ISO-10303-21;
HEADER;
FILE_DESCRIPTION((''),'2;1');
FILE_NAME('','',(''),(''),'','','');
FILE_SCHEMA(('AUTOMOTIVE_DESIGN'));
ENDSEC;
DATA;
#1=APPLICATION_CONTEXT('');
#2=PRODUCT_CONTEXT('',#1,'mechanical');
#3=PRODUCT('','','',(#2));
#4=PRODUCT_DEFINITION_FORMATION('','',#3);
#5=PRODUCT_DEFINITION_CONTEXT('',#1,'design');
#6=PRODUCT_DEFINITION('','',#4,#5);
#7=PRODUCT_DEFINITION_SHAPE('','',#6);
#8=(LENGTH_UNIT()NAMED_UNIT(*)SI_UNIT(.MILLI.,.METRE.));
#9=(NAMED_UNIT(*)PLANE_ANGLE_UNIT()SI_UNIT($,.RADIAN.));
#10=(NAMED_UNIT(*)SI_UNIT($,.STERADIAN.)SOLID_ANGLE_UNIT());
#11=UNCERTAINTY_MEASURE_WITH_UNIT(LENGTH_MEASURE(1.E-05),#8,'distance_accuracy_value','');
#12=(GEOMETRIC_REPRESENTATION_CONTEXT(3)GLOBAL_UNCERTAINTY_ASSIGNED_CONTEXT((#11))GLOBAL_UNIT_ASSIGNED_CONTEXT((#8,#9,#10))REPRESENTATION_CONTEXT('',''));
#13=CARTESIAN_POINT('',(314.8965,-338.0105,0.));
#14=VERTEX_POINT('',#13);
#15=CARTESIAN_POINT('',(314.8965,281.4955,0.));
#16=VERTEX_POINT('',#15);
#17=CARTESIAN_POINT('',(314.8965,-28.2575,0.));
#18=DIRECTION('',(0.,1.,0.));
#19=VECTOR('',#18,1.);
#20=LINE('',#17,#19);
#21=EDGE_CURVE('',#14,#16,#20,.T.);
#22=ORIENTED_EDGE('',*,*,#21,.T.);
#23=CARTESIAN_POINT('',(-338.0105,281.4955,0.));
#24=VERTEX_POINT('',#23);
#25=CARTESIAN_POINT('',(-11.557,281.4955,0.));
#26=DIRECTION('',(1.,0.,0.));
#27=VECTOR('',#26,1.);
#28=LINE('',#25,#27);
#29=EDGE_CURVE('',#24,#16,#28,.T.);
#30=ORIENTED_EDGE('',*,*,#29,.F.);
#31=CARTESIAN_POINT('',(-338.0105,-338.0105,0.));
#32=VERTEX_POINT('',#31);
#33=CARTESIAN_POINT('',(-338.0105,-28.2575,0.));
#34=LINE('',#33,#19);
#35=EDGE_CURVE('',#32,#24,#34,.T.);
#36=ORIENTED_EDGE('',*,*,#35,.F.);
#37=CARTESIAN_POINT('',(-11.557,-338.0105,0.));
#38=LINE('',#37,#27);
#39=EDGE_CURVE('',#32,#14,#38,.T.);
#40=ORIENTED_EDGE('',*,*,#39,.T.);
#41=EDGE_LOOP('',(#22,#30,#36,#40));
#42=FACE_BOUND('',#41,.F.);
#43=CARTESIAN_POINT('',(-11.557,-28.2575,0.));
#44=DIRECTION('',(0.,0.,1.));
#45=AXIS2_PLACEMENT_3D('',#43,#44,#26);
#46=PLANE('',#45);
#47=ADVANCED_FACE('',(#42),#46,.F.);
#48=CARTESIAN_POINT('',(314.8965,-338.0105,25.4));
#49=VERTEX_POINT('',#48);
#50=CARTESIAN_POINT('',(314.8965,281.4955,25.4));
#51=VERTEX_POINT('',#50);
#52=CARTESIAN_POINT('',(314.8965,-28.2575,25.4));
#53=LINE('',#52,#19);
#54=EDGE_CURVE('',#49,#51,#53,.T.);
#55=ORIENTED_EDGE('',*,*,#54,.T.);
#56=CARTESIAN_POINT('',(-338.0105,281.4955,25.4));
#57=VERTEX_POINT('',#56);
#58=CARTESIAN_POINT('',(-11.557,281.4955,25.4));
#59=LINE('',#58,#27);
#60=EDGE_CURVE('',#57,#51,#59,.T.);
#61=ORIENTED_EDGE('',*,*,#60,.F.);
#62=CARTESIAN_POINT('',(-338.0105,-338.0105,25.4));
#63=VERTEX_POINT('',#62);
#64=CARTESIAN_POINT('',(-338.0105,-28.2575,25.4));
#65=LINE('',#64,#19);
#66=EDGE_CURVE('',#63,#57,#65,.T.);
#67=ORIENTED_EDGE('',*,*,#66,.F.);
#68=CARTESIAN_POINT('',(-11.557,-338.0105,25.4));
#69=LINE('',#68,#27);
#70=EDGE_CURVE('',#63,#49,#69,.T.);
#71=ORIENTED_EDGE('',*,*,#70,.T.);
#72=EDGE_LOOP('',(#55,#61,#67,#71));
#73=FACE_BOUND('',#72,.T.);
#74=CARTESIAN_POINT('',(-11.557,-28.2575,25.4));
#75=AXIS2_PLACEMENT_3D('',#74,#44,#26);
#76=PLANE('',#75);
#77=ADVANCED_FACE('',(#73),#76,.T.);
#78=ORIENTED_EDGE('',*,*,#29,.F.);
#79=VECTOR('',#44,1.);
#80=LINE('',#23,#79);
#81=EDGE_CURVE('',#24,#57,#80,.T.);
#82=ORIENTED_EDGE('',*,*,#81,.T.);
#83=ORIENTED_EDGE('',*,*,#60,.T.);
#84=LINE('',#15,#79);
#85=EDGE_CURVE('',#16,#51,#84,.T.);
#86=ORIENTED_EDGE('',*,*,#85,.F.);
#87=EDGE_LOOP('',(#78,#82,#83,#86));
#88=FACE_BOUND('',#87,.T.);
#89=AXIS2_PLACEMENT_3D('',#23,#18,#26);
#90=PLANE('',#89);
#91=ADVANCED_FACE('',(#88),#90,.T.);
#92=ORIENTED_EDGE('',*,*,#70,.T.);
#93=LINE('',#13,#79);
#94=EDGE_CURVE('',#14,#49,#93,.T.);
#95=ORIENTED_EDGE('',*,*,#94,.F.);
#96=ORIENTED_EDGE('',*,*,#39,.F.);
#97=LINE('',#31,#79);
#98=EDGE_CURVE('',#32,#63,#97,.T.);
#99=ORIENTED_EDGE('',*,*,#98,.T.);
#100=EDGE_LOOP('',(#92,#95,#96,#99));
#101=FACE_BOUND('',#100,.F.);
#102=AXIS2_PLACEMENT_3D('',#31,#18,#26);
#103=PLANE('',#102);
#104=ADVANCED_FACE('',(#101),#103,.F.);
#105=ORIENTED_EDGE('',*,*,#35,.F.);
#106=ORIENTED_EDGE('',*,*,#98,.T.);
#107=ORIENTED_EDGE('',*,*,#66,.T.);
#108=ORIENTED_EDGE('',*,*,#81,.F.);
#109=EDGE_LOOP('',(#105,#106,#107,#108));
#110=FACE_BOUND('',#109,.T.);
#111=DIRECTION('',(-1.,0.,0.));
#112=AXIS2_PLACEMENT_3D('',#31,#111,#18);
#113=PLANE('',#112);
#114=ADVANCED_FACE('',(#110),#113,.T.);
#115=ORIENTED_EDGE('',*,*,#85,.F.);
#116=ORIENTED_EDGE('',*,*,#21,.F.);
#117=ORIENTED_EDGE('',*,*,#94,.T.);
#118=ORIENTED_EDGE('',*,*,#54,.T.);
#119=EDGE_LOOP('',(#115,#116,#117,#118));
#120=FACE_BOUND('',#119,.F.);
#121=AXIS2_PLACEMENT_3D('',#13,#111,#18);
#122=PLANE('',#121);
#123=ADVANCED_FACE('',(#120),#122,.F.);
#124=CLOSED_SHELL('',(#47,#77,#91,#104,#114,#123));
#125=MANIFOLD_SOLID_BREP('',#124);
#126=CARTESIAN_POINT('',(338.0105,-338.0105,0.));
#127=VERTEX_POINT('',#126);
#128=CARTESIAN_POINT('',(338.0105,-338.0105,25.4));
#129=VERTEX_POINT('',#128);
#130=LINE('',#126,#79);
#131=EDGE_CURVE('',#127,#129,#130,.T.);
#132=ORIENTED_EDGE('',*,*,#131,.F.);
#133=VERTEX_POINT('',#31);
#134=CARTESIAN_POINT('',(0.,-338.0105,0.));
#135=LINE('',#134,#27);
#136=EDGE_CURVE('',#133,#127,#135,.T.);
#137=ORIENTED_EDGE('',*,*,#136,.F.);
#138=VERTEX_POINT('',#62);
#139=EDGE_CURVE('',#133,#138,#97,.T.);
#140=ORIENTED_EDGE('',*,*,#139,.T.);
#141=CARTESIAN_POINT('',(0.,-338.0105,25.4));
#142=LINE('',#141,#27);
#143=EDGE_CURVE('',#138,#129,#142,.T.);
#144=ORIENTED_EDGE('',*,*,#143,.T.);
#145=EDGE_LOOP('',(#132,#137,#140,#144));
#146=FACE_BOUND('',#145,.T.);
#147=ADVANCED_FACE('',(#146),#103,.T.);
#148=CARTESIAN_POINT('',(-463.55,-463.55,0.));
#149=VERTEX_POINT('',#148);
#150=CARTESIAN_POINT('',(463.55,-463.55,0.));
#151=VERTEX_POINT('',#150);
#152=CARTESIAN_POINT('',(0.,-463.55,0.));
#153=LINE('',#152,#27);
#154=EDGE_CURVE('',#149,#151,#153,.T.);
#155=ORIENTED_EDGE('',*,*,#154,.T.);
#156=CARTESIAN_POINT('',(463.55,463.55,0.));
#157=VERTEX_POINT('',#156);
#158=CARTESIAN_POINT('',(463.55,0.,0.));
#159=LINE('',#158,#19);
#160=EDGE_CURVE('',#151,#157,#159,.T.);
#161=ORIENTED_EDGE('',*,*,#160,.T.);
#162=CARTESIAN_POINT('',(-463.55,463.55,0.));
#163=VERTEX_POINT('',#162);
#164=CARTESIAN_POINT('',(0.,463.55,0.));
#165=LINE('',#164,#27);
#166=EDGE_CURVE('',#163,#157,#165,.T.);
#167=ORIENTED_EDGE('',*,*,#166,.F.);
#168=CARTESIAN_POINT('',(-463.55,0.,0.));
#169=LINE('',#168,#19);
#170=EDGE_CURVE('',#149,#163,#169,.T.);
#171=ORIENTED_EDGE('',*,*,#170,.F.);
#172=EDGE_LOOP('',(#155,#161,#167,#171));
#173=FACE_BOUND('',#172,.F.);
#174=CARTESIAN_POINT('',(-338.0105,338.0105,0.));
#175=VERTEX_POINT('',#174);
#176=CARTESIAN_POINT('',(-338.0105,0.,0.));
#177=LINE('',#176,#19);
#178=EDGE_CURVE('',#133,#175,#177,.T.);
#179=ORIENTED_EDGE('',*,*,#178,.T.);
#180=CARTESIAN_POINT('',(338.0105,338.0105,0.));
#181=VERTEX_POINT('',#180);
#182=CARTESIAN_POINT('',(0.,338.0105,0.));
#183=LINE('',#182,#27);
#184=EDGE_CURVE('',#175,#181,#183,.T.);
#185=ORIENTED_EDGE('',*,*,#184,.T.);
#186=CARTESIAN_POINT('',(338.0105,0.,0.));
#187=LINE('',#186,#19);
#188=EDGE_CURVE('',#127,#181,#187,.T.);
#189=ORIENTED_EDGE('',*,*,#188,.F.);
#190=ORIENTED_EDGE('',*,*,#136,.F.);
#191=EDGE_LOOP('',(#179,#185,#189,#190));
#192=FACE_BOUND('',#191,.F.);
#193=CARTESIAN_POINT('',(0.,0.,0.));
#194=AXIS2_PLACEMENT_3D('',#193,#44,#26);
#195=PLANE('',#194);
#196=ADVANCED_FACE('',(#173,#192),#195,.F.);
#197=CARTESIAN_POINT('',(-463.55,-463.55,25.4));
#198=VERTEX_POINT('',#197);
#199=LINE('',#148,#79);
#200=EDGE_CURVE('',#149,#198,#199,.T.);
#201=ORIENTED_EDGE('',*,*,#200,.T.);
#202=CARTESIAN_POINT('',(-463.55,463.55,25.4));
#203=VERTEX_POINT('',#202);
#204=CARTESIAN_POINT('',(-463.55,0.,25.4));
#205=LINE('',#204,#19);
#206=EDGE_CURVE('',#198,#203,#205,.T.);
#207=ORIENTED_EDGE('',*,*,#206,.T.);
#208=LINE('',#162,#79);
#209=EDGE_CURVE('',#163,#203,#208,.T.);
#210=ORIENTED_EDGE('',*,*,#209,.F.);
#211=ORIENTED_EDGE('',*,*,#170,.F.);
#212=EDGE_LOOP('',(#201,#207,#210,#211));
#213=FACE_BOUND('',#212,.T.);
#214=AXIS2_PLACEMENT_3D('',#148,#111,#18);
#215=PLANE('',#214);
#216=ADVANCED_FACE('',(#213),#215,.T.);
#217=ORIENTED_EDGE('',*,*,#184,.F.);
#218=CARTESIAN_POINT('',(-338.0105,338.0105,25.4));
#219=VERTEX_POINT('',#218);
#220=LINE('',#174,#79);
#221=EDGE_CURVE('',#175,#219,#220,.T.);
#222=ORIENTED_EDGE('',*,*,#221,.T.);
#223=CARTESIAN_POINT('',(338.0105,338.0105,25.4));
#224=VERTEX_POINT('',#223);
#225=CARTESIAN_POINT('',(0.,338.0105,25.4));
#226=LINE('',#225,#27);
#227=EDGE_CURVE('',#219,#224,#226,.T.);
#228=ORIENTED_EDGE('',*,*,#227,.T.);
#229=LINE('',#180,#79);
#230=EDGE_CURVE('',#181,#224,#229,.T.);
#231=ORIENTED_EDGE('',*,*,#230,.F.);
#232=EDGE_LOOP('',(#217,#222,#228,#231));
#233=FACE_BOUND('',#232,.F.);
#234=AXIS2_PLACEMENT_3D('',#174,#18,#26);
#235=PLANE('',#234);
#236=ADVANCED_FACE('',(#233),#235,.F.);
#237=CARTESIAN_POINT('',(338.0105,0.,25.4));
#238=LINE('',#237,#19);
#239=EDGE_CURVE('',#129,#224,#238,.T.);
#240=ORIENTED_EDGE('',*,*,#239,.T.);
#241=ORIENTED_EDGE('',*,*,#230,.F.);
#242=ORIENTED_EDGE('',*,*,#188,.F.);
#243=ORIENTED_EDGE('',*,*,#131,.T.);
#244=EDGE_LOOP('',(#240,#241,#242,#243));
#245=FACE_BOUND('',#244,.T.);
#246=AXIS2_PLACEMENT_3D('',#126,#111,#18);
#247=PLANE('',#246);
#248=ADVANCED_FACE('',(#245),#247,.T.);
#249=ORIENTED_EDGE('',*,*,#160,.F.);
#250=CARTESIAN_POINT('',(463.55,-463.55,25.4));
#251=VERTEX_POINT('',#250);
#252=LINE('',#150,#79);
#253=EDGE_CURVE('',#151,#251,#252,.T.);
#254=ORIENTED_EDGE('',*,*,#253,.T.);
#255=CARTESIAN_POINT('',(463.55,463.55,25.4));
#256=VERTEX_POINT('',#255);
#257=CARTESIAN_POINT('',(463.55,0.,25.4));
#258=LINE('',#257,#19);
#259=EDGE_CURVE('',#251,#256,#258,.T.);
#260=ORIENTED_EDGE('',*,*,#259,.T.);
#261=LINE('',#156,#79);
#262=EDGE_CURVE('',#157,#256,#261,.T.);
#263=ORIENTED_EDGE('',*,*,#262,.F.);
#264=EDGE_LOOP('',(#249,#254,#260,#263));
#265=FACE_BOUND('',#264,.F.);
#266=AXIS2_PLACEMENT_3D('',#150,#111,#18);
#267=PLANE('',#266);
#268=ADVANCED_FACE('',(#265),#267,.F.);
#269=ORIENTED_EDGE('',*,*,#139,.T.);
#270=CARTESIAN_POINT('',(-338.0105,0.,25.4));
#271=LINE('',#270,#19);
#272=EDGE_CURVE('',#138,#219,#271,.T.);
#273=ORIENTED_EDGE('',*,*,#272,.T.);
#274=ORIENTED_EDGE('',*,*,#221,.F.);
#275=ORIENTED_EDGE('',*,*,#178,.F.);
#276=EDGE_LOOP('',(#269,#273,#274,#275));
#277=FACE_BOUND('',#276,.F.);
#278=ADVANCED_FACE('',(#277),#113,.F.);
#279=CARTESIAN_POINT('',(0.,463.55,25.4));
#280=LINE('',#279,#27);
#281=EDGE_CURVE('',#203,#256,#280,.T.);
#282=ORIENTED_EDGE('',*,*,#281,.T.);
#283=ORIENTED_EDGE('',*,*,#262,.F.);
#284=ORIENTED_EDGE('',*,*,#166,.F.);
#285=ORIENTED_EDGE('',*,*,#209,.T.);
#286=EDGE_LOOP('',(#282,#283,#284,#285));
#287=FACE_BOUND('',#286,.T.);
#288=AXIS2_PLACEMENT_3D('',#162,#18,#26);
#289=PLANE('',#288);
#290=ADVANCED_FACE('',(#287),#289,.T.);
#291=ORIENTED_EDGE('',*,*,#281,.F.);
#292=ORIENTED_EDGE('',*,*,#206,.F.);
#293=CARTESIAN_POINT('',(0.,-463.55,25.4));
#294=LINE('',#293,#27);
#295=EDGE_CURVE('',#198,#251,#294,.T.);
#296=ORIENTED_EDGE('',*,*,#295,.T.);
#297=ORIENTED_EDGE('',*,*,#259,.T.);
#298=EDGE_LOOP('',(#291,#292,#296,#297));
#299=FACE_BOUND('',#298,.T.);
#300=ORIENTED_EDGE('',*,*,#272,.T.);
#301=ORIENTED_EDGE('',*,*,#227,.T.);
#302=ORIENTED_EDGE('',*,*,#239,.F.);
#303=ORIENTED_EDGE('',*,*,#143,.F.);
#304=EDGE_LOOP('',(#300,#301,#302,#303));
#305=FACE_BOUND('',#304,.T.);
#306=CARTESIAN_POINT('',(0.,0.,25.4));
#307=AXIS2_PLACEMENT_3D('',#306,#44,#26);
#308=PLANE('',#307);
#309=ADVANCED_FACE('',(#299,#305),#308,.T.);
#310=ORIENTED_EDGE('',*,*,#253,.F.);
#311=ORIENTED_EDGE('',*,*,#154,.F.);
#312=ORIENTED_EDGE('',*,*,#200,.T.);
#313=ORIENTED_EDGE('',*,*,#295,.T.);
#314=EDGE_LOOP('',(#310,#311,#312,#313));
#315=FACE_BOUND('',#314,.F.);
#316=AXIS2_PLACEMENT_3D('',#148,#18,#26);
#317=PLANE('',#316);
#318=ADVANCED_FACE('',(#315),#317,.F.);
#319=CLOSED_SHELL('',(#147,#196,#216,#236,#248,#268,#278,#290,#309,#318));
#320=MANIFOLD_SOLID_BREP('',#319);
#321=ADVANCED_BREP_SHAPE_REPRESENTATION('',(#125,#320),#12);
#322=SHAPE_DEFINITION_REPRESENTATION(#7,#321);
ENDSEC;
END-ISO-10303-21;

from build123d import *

# Parameters (mm, degrees)
F0_W     = 927.1
F0_H     = 927.1
F0_W_2   = 676.021
F0_H_2   = 676.021
F1_DEPTH = 25.4
F2_W     = 652.907
F2_H     = 619.506
F3_DEPTH = 25.4


with BuildPart() as f1:
    # F0 (on Top) → F1 (new body)
    with BuildSketch(Plane.XY):
        Rectangle(F0_W, F0_H)
        Rectangle(F0_W_2, F0_H_2, mode=Mode.SUBTRACT)
    extrude(amount=F1_DEPTH)


with BuildPart() as f3:
    # F2 (on Top) → F3 (new body)
    with BuildSketch(Plane.XY):
        with Locations((-11.557, -28.2575)):
            Rectangle(F2_W, F2_H)
    extrude(amount=F3_DEPTH)


solid = Compound([f1.part, f3.part])
